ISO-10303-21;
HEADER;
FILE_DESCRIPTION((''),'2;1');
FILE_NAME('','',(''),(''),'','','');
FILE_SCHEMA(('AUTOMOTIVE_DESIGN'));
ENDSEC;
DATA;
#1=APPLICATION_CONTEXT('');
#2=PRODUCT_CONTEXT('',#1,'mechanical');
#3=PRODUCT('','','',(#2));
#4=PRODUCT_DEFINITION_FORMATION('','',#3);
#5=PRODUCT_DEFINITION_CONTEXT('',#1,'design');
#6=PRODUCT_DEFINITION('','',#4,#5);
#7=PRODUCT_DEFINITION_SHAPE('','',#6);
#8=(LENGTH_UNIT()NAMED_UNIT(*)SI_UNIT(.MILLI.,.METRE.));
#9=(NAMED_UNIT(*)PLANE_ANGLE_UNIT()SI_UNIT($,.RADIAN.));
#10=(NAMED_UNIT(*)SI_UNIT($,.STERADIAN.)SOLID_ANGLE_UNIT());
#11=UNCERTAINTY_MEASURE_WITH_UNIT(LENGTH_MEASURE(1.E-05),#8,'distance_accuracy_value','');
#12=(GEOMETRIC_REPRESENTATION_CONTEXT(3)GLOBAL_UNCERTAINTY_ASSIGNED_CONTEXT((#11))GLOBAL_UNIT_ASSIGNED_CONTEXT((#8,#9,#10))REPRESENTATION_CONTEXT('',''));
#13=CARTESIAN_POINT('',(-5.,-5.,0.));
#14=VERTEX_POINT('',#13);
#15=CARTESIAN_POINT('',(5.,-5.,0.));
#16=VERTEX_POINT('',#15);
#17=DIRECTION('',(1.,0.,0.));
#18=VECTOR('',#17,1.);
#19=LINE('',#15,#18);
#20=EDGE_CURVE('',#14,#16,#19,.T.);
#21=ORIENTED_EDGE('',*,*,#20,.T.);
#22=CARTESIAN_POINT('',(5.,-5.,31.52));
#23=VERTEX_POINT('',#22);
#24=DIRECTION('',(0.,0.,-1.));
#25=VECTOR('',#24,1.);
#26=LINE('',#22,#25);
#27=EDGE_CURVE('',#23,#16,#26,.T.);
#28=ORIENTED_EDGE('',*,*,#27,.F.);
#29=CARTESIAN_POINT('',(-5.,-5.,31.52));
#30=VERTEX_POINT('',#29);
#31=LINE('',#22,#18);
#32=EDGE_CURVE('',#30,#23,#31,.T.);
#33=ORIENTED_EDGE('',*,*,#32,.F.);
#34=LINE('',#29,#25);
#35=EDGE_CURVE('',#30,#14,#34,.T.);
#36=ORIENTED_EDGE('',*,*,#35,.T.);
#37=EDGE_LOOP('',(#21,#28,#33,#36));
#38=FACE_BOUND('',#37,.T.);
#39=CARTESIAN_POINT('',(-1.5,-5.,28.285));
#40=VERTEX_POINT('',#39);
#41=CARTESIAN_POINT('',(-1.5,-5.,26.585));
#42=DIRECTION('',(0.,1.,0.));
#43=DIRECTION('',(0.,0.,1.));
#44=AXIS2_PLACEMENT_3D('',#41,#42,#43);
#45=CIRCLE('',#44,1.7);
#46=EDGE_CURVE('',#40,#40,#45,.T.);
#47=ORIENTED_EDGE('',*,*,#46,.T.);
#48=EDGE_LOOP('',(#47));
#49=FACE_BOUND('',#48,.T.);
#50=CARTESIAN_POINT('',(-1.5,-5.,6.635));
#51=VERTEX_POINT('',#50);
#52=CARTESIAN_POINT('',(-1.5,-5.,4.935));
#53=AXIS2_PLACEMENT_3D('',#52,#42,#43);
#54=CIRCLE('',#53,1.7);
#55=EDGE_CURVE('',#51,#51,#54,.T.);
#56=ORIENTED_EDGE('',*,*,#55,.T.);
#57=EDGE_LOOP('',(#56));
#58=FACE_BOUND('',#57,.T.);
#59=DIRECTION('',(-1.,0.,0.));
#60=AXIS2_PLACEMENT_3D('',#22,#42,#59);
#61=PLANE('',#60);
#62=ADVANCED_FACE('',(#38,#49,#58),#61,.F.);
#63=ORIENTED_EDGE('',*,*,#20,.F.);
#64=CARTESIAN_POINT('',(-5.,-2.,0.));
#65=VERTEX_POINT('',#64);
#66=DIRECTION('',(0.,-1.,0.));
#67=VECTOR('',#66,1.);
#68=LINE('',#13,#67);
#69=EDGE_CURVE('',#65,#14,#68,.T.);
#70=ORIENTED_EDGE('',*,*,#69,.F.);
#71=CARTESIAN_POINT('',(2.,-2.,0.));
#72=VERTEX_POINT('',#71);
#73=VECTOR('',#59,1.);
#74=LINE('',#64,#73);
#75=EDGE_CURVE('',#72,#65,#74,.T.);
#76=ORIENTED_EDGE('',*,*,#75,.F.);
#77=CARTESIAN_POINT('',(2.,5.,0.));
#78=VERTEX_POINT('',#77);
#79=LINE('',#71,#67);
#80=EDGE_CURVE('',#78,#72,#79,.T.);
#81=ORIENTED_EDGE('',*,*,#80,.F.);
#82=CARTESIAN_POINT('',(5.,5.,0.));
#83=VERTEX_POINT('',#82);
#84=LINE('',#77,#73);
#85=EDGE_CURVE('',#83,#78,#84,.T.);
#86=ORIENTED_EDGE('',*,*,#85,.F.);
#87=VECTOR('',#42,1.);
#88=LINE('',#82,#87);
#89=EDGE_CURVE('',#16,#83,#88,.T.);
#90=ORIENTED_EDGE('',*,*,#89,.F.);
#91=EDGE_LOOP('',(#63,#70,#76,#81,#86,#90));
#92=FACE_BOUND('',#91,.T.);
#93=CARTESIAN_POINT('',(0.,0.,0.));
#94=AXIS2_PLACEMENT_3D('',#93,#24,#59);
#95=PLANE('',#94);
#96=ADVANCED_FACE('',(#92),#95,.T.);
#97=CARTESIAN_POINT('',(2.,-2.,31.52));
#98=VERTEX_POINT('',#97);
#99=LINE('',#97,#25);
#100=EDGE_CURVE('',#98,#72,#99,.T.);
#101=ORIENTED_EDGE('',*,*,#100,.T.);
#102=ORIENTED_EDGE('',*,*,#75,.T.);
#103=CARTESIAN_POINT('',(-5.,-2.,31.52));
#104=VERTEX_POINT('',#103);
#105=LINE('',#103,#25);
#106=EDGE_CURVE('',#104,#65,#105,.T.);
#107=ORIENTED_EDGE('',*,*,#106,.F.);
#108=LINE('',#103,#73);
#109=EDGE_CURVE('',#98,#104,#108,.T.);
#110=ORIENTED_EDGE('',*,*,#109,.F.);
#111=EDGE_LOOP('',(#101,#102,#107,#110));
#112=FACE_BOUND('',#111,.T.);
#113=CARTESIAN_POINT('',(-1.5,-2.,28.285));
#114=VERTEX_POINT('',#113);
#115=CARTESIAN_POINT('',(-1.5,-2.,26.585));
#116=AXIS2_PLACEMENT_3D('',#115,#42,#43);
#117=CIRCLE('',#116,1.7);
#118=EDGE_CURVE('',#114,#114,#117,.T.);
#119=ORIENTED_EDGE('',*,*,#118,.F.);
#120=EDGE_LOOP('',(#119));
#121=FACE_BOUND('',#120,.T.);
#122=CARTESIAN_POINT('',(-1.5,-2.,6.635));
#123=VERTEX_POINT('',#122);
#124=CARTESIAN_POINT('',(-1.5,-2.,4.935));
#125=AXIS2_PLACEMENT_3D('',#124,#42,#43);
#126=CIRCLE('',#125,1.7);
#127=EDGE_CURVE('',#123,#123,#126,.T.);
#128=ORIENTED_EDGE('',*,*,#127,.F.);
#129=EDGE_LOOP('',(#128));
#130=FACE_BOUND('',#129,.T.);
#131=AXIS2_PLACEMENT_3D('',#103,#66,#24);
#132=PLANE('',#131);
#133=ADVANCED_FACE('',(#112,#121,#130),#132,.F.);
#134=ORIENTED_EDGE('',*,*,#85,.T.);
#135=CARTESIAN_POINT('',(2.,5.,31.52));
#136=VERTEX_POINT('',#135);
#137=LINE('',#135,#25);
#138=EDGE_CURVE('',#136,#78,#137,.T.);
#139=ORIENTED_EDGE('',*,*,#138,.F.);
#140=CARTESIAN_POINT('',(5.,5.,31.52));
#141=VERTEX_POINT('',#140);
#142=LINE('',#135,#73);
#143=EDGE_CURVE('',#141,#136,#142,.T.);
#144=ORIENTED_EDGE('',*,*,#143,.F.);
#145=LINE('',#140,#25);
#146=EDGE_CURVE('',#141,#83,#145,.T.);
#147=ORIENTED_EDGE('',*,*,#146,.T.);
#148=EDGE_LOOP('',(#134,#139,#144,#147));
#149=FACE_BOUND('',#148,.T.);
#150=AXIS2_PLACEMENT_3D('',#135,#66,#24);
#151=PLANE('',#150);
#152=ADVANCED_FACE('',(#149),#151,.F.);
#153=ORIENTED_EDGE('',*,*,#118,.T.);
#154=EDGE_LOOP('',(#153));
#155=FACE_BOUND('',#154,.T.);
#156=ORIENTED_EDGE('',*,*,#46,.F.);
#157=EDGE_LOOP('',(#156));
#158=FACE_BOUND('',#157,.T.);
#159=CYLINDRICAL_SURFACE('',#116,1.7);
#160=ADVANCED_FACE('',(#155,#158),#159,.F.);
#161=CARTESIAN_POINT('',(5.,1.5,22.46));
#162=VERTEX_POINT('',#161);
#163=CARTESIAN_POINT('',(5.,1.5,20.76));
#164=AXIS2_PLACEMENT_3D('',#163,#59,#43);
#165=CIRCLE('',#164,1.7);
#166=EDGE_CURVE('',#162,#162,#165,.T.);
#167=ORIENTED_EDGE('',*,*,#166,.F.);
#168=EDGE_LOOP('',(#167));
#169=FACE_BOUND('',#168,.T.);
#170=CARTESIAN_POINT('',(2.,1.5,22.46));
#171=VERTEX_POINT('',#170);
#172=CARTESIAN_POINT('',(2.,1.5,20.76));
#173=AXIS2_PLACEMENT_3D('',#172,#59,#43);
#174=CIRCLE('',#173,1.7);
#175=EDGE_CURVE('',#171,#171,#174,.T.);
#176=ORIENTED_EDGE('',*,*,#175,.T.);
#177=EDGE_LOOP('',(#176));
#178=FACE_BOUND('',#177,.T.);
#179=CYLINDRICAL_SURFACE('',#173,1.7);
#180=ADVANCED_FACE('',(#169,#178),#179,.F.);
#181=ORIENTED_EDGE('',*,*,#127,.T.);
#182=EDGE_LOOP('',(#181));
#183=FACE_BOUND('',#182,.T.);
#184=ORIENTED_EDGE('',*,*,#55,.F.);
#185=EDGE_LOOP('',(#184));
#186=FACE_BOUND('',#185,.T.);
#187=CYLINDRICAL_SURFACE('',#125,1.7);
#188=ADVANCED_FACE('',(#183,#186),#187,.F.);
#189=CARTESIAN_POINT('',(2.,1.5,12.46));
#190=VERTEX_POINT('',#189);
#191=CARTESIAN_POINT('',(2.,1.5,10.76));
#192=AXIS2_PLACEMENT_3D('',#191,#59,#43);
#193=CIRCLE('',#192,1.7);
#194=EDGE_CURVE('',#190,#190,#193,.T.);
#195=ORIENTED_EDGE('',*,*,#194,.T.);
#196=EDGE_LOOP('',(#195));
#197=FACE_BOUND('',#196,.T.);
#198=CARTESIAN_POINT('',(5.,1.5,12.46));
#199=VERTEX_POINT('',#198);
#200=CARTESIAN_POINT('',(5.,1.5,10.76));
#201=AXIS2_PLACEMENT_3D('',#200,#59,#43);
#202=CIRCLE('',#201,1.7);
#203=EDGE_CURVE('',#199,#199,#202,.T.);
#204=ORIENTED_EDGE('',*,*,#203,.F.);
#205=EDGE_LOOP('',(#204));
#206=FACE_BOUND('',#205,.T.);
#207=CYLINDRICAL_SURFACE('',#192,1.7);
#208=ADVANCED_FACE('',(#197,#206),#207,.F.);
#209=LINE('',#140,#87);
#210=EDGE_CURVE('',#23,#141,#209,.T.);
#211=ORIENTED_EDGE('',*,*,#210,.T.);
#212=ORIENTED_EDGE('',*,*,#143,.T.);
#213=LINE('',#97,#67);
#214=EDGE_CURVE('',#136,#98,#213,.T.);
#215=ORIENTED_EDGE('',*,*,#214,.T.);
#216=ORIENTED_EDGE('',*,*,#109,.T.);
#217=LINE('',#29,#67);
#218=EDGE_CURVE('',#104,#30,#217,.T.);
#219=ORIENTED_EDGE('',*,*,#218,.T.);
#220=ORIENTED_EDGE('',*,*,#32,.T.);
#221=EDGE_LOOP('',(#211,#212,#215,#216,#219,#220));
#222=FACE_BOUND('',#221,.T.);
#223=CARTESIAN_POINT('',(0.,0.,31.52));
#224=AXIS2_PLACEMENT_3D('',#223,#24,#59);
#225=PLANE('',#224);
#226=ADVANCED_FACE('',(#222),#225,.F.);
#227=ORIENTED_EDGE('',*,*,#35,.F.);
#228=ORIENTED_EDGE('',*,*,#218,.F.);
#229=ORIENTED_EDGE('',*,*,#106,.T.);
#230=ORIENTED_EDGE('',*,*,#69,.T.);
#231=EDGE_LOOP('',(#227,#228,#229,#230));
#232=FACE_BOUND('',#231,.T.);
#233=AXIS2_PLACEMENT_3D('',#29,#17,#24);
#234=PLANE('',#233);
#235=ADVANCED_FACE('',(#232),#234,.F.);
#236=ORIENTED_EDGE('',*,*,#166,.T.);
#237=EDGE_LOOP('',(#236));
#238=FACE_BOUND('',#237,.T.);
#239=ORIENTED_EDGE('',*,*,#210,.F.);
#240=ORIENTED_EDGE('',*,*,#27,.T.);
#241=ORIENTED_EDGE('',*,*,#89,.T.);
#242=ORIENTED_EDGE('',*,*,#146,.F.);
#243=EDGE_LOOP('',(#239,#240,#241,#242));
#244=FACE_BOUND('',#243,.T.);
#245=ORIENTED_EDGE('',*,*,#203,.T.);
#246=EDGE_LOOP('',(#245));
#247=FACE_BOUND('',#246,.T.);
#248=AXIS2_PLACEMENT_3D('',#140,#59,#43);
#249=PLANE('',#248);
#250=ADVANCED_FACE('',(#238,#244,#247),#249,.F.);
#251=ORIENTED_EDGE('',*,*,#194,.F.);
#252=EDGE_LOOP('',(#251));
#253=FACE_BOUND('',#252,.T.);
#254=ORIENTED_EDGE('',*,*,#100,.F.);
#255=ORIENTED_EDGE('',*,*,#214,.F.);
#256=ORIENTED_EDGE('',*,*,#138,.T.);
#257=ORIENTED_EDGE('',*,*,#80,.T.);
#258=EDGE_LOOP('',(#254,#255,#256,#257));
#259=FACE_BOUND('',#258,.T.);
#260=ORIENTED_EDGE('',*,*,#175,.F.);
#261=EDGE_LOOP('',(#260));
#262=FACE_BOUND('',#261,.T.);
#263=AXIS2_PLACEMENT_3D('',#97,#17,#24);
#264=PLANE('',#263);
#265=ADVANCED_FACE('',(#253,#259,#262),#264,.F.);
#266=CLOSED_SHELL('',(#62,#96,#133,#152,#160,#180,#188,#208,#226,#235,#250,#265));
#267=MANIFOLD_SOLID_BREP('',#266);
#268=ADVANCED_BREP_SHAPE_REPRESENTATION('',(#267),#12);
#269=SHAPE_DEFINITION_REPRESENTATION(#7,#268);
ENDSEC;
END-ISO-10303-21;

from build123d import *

# Parameters (mm, degrees)
EXTRUDE_1_DEPTH    = 31.52
HOLE_WIZARD_M3_1_D = 3.4
HOLE_WIZARD_M3_2_D = 3.4


with BuildPart() as part:
    # ｽｹｯﾁ1 → ﾎﾞｽ - 押し出し1 (new body)
    with BuildSketch(Plane.XY):
        Polygon((-5, -2), (2, -2), (2, 5), (5, 5), (5, -5), (-5, -5), align=None)
    extrude(amount=EXTRUDE_1_DEPTH)

    # M3 すきま穴1 (through all)
    with Locations(Plane(origin=(0, -2, 0), x_dir=(1, 0, 0), z_dir=(0, 1, 0))):
        with Locations((-1.5, -4.935), (-1.5, -26.585)):
            Hole(HOLE_WIZARD_M3_1_D / 2)

    # M3 すきま穴2 (through all)
    with Locations(Plane.ZY.offset(-2)):
        with Locations((10.76, 1.5), (20.76, 1.5)):
            Hole(HOLE_WIZARD_M3_2_D / 2)


solid = part.part
